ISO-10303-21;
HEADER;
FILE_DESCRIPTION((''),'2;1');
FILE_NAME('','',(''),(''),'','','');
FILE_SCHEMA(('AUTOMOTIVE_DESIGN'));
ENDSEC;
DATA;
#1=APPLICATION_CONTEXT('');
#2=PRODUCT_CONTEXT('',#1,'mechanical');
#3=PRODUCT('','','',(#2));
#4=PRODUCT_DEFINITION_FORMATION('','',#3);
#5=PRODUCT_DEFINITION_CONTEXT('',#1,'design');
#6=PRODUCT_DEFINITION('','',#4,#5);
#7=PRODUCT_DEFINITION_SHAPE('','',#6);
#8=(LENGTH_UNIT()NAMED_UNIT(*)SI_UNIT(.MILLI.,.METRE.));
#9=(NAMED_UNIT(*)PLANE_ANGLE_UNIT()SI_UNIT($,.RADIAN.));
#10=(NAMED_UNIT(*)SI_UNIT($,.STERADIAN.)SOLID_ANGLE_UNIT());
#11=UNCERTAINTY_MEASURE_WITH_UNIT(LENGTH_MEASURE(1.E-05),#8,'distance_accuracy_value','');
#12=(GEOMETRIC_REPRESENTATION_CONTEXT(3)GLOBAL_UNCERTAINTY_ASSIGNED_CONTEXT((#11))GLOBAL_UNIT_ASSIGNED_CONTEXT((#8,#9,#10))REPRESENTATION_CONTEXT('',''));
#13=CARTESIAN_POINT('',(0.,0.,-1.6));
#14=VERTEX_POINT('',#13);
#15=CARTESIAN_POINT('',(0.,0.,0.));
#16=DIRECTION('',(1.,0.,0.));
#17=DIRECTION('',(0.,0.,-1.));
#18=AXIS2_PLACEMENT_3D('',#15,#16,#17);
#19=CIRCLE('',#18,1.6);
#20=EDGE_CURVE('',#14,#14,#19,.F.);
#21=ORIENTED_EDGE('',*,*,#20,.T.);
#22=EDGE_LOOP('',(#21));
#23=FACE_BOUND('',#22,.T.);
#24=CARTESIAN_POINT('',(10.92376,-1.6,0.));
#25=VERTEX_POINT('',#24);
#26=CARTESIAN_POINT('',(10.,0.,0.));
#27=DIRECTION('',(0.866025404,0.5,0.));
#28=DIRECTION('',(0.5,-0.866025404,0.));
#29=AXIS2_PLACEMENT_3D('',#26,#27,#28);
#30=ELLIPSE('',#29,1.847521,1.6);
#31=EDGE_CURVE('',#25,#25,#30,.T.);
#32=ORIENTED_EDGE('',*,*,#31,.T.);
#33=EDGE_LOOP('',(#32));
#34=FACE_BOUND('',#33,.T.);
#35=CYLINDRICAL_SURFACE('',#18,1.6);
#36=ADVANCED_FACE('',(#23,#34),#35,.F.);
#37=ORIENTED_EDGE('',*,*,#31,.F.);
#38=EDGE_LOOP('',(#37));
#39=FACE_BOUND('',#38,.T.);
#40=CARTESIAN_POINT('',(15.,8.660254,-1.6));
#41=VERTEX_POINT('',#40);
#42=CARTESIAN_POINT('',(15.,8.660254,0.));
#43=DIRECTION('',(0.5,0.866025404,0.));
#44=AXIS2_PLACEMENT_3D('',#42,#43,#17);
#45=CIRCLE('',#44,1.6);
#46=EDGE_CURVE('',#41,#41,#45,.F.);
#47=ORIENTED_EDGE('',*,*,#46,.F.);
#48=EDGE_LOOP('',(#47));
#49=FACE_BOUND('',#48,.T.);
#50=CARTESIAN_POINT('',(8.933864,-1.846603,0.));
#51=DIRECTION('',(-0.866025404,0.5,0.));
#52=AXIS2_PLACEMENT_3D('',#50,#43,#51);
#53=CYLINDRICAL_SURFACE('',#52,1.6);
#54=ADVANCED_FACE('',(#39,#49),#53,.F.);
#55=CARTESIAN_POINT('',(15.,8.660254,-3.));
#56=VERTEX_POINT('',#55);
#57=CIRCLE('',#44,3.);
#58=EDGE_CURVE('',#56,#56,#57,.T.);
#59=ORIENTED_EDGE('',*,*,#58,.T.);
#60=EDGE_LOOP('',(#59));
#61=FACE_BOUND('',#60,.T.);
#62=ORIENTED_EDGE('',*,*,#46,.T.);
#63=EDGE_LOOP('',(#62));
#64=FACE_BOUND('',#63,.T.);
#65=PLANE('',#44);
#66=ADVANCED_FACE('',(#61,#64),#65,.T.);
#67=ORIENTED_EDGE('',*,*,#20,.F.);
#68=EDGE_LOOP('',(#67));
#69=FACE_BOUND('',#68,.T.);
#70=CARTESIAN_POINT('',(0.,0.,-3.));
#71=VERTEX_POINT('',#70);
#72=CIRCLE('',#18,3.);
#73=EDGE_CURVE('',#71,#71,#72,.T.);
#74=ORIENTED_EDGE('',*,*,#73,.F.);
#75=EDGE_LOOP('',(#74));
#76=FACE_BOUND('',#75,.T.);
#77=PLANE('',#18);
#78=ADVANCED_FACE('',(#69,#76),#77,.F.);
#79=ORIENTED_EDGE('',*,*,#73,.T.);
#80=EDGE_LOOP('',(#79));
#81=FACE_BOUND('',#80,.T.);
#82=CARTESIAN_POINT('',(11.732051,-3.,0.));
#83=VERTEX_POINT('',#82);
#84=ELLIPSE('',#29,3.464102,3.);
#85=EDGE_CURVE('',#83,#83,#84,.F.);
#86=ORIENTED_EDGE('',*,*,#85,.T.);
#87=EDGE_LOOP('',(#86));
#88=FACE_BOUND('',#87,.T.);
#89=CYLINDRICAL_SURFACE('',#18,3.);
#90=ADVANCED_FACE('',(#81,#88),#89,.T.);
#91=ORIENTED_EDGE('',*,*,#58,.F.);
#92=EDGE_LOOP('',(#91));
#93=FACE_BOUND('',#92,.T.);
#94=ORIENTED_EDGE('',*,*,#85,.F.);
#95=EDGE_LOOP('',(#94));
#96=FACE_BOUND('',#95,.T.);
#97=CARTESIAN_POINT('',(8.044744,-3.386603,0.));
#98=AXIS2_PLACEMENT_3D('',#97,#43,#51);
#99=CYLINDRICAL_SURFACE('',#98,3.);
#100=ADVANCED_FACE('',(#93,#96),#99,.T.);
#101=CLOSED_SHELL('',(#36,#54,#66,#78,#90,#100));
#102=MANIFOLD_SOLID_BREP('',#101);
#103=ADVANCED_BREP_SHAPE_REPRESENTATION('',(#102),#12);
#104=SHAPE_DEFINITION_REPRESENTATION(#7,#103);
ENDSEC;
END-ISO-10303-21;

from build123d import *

# Parameters (mm, degrees)
SKETCH3_R   = 3
SKETCH3_R_2 = 1.6


with BuildPart() as part:
    # Sweep1: sweep along a path in Sketch2
    with BuildLine(Plane.XY) as sweep1_path:
        Line((0, 0), (10, 0))
        Line((10, 0), (15, 8.660254038))
    # Sketch3 → Sweep1 (sweep)
    with BuildSketch(Plane(origin=(0, 0, 0), x_dir=(0, 0, -1), z_dir=(1, 0, 0))):
        Circle(SKETCH3_R)
        Circle(SKETCH3_R_2, mode=Mode.SUBTRACT)
    sweep(path=sweep1_path.line, transition=Transition.RIGHT)


solid = part.part
